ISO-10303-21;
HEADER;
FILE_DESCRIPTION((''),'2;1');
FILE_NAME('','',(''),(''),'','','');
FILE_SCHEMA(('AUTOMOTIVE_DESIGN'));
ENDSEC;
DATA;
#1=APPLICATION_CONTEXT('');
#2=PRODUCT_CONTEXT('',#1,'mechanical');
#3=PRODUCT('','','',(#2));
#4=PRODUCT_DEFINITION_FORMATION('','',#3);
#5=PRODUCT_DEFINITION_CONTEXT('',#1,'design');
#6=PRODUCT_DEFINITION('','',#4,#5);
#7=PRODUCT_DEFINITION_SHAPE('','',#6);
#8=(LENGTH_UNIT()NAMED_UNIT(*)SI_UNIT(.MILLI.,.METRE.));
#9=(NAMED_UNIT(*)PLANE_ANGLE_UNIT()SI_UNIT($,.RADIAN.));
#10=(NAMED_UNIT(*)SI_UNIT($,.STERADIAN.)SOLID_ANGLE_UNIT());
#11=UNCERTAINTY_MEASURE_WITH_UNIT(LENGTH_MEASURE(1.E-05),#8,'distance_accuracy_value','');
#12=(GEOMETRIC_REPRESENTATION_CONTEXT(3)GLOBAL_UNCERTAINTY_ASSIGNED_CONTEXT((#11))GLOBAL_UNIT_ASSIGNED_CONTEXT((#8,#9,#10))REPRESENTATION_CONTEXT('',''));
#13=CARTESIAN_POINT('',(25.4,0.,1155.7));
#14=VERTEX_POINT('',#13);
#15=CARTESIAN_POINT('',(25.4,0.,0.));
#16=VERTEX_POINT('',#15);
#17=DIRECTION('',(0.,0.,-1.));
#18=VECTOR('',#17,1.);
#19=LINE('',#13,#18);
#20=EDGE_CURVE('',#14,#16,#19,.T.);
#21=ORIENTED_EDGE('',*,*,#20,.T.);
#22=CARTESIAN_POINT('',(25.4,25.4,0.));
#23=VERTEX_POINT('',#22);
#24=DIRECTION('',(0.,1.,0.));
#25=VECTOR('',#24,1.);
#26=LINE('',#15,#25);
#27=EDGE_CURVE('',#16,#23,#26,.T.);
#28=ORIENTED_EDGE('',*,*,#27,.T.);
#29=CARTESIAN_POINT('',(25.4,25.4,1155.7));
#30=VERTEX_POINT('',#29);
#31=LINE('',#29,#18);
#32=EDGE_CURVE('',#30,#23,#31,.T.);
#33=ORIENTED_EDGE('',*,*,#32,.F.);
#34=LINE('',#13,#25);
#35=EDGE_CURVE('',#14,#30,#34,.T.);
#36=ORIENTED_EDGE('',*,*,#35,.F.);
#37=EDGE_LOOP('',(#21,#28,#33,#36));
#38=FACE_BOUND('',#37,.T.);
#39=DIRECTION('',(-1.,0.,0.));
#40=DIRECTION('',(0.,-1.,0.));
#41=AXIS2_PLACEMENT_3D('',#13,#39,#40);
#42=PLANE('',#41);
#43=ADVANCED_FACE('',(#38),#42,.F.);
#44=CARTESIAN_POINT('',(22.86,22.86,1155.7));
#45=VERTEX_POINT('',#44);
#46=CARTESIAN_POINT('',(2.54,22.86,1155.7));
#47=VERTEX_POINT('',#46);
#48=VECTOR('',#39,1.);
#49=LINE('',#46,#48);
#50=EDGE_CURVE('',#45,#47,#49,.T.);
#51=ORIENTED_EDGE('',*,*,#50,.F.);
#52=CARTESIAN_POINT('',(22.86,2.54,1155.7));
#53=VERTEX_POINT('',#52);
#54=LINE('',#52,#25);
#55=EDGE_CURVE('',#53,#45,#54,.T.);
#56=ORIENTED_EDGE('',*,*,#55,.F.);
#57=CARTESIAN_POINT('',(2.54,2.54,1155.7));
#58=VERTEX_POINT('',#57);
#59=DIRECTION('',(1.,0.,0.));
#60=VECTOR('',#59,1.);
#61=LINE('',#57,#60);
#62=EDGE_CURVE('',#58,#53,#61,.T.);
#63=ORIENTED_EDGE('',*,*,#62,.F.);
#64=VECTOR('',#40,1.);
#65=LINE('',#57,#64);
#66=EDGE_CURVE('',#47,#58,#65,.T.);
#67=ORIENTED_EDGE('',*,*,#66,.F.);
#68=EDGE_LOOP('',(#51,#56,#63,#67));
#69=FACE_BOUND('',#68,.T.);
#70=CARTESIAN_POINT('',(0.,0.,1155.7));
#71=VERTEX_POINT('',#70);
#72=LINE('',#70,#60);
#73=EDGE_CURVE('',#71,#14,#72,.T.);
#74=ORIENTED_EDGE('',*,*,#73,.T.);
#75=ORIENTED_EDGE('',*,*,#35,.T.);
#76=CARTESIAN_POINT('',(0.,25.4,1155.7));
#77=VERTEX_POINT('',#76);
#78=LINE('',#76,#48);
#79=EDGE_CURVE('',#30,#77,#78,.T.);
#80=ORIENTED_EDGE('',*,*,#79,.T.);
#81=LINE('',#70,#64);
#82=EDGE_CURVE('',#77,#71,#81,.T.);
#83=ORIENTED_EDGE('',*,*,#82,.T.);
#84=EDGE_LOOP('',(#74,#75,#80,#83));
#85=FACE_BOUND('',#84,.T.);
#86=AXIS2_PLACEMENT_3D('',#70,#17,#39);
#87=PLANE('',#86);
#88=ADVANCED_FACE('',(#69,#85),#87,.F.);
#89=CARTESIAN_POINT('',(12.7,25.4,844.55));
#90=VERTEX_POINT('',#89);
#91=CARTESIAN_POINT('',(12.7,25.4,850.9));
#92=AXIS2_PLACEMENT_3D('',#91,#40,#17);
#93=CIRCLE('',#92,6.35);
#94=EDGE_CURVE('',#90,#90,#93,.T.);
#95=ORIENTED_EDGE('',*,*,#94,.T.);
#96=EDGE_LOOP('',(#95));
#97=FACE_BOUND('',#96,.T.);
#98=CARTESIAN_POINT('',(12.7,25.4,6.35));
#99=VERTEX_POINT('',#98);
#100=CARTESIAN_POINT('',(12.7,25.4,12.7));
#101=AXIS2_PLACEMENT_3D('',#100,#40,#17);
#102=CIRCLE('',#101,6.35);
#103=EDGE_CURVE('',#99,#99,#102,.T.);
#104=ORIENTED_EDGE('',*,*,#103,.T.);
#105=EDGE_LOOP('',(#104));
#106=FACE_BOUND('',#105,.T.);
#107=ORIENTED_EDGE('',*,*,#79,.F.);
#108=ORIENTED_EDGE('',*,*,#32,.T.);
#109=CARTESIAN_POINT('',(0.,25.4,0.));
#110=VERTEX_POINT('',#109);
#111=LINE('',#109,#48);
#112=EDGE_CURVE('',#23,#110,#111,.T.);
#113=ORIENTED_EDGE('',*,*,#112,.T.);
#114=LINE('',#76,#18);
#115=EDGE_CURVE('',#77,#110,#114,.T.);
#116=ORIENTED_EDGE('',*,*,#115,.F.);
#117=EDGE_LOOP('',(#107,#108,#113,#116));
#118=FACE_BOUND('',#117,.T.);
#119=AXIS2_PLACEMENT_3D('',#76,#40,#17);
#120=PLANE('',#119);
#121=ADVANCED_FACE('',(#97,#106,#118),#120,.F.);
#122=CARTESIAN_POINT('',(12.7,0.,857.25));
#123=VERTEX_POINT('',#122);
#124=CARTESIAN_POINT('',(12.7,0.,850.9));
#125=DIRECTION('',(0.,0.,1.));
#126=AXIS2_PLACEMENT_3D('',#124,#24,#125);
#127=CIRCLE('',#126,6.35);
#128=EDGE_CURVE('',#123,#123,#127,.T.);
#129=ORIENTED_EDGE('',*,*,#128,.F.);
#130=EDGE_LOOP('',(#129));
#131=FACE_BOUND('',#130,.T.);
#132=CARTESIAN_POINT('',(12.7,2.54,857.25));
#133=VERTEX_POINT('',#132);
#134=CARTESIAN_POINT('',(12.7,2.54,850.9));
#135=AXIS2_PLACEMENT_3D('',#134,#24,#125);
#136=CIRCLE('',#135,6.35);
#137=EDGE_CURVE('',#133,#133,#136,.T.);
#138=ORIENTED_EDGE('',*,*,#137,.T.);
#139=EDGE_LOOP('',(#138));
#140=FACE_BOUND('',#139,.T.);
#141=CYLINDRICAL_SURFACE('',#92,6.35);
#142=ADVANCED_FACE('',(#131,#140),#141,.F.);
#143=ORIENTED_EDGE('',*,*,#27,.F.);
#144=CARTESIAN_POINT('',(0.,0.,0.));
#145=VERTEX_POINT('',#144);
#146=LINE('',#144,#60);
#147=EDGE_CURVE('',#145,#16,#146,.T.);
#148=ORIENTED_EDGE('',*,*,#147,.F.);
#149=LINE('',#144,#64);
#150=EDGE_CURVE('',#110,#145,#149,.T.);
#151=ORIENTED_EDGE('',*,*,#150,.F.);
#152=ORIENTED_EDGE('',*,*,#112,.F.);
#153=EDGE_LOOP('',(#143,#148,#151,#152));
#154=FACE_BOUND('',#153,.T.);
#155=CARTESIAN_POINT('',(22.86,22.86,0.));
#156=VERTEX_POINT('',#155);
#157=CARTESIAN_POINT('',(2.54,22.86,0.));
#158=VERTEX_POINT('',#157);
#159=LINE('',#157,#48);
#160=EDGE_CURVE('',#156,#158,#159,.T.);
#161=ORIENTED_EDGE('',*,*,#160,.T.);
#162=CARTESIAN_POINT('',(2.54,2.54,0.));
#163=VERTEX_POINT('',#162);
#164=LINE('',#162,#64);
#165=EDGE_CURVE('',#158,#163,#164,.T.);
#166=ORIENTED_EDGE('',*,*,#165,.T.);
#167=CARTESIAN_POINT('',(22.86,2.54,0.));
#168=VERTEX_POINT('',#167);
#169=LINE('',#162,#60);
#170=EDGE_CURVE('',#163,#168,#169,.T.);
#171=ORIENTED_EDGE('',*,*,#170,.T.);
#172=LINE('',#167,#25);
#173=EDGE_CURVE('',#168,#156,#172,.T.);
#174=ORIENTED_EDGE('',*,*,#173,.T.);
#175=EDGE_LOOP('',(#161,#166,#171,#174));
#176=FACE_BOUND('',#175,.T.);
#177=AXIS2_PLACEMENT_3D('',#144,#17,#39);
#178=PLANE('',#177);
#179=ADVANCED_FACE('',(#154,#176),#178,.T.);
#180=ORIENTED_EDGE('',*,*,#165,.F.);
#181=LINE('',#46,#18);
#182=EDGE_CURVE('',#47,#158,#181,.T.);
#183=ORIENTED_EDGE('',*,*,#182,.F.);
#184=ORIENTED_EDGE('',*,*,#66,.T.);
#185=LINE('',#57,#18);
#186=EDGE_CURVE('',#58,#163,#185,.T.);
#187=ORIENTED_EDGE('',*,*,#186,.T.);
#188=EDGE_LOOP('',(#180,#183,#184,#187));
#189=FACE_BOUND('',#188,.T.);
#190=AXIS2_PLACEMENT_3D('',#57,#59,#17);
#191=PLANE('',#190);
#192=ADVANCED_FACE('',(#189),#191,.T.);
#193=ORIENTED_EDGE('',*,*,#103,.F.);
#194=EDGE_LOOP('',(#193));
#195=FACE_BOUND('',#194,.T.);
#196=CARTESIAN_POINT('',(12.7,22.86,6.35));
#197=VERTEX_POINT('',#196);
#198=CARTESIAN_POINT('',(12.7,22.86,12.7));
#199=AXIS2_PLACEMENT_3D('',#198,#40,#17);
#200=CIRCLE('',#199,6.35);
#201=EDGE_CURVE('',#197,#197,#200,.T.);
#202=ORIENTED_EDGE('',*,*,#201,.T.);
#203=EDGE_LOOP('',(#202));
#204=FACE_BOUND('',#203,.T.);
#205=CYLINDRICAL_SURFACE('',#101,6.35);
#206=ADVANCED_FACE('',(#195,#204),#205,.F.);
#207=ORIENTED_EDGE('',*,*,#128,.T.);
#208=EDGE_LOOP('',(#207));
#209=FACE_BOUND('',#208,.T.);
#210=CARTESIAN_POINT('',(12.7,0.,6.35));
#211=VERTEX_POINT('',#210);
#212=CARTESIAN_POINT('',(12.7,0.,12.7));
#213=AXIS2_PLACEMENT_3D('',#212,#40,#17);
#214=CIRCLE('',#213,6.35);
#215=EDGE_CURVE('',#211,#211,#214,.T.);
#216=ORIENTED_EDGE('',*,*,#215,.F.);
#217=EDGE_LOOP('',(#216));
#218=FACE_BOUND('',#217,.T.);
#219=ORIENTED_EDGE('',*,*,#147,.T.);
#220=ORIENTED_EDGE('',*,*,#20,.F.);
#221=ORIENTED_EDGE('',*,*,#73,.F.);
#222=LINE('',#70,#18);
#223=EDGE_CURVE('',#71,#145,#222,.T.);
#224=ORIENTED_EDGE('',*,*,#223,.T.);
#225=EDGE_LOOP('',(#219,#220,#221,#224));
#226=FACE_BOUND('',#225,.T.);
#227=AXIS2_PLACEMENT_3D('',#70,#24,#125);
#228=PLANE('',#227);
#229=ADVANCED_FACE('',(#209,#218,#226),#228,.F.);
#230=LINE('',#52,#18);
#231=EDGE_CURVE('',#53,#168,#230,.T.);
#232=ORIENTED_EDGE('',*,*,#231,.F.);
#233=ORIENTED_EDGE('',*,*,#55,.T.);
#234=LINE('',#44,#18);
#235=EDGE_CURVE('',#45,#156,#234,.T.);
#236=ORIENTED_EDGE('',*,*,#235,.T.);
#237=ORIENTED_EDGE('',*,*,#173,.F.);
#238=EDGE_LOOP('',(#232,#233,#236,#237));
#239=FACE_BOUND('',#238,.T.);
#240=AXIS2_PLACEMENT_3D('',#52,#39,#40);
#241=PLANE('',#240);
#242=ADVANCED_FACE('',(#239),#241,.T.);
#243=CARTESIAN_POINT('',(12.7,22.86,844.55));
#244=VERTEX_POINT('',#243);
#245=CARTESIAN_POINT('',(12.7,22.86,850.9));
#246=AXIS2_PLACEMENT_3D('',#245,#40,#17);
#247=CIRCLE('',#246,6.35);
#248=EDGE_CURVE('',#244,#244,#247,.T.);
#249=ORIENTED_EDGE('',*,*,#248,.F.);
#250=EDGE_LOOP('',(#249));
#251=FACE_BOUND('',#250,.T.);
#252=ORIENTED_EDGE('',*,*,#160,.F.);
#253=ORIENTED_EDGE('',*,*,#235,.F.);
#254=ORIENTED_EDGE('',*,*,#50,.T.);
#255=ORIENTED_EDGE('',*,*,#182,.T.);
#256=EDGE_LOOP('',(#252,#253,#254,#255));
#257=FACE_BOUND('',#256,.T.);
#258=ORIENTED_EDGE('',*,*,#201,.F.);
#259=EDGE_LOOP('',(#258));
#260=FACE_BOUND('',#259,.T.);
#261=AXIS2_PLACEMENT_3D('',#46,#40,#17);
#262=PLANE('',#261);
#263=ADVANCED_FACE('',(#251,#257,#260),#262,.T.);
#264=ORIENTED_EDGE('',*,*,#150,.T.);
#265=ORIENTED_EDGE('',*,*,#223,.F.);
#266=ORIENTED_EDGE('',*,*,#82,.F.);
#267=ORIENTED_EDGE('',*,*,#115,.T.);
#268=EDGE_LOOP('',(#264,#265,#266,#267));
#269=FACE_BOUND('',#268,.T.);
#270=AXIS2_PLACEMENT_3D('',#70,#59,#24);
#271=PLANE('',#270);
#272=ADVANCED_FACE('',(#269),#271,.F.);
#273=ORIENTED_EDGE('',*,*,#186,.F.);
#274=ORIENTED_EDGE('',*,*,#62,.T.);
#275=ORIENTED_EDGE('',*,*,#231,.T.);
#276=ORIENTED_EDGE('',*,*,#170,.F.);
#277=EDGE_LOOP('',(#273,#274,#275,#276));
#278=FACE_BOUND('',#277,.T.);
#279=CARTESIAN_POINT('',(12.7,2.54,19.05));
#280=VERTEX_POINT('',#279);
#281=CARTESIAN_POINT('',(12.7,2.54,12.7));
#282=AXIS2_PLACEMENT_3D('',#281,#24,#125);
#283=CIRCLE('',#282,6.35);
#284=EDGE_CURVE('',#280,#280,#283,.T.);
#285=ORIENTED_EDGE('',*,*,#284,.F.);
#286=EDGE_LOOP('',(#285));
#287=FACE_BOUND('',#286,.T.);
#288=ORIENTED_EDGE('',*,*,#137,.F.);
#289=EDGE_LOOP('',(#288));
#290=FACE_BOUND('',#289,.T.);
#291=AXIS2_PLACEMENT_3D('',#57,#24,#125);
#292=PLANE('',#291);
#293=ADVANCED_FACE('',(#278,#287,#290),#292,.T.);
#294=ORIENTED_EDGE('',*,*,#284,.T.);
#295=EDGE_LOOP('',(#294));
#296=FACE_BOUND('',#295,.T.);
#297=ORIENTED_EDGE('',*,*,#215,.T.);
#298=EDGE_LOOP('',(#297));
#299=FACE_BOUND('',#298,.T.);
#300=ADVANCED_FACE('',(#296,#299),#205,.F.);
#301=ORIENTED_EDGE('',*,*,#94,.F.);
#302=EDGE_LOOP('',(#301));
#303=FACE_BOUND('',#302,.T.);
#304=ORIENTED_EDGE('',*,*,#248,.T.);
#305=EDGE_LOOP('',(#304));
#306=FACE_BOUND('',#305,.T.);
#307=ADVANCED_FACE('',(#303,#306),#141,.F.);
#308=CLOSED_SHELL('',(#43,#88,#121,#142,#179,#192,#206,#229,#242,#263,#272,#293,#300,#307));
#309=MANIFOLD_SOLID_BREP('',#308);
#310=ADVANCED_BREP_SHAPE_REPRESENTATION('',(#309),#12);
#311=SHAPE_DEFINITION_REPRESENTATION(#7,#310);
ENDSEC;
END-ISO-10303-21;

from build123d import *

# Parameters (mm, degrees)
SKETCH1_W               = 25.4
SKETCH1_H               = 25.4
SKETCH1_W_2             = 20.32
SKETCH1_H_2             = 20.32
BOSS_EXTRUDE1_DEPTH     = 1155.7
SKETCH2_R               = 6.35
CUT_EXTRUDE1_DEPTH      = 1157.258106999
CUT_EXTRUDE2_DEPTH      = 1157.258106999
CUT_EXTRUDE2_DEPTH_BACK = 1157.258106999
SKETCH3_R               = 6.35


with BuildPart() as part:
    # Sketch1 → Boss-Extrude1 (new body)
    with BuildSketch(Plane.XY):
        with Locations((12.7, 12.7)):
            Rectangle(SKETCH1_W, SKETCH1_H)
        with Locations((12.7, 12.7)):
            Rectangle(SKETCH1_W_2, SKETCH1_H_2, mode=Mode.SUBTRACT)
    extrude(amount=BOSS_EXTRUDE1_DEPTH)

    # Sketch2 → Cut-Extrude1 (cut, through all)
    with BuildSketch(Plane.XZ):
        with Locations(Location((12.7, 12.7, 0), (0, 0, 270))):
            Circle(SKETCH2_R)
    extrude(amount=-CUT_EXTRUDE1_DEPTH, mode=Mode.SUBTRACT)

    # Sketch3 → Cut-Extrude2 (cut, two sides: drawn at the far end of the back side and taken through both)
    with BuildSketch(Plane.XZ.offset(-CUT_EXTRUDE2_DEPTH_BACK)):
        with Locations(Location((12.7, 850.9, 0), (0, 0, 270))):
            Circle(SKETCH3_R)
    extrude(amount=CUT_EXTRUDE2_DEPTH + CUT_EXTRUDE2_DEPTH_BACK, mode=Mode.SUBTRACT)


solid = part.part
